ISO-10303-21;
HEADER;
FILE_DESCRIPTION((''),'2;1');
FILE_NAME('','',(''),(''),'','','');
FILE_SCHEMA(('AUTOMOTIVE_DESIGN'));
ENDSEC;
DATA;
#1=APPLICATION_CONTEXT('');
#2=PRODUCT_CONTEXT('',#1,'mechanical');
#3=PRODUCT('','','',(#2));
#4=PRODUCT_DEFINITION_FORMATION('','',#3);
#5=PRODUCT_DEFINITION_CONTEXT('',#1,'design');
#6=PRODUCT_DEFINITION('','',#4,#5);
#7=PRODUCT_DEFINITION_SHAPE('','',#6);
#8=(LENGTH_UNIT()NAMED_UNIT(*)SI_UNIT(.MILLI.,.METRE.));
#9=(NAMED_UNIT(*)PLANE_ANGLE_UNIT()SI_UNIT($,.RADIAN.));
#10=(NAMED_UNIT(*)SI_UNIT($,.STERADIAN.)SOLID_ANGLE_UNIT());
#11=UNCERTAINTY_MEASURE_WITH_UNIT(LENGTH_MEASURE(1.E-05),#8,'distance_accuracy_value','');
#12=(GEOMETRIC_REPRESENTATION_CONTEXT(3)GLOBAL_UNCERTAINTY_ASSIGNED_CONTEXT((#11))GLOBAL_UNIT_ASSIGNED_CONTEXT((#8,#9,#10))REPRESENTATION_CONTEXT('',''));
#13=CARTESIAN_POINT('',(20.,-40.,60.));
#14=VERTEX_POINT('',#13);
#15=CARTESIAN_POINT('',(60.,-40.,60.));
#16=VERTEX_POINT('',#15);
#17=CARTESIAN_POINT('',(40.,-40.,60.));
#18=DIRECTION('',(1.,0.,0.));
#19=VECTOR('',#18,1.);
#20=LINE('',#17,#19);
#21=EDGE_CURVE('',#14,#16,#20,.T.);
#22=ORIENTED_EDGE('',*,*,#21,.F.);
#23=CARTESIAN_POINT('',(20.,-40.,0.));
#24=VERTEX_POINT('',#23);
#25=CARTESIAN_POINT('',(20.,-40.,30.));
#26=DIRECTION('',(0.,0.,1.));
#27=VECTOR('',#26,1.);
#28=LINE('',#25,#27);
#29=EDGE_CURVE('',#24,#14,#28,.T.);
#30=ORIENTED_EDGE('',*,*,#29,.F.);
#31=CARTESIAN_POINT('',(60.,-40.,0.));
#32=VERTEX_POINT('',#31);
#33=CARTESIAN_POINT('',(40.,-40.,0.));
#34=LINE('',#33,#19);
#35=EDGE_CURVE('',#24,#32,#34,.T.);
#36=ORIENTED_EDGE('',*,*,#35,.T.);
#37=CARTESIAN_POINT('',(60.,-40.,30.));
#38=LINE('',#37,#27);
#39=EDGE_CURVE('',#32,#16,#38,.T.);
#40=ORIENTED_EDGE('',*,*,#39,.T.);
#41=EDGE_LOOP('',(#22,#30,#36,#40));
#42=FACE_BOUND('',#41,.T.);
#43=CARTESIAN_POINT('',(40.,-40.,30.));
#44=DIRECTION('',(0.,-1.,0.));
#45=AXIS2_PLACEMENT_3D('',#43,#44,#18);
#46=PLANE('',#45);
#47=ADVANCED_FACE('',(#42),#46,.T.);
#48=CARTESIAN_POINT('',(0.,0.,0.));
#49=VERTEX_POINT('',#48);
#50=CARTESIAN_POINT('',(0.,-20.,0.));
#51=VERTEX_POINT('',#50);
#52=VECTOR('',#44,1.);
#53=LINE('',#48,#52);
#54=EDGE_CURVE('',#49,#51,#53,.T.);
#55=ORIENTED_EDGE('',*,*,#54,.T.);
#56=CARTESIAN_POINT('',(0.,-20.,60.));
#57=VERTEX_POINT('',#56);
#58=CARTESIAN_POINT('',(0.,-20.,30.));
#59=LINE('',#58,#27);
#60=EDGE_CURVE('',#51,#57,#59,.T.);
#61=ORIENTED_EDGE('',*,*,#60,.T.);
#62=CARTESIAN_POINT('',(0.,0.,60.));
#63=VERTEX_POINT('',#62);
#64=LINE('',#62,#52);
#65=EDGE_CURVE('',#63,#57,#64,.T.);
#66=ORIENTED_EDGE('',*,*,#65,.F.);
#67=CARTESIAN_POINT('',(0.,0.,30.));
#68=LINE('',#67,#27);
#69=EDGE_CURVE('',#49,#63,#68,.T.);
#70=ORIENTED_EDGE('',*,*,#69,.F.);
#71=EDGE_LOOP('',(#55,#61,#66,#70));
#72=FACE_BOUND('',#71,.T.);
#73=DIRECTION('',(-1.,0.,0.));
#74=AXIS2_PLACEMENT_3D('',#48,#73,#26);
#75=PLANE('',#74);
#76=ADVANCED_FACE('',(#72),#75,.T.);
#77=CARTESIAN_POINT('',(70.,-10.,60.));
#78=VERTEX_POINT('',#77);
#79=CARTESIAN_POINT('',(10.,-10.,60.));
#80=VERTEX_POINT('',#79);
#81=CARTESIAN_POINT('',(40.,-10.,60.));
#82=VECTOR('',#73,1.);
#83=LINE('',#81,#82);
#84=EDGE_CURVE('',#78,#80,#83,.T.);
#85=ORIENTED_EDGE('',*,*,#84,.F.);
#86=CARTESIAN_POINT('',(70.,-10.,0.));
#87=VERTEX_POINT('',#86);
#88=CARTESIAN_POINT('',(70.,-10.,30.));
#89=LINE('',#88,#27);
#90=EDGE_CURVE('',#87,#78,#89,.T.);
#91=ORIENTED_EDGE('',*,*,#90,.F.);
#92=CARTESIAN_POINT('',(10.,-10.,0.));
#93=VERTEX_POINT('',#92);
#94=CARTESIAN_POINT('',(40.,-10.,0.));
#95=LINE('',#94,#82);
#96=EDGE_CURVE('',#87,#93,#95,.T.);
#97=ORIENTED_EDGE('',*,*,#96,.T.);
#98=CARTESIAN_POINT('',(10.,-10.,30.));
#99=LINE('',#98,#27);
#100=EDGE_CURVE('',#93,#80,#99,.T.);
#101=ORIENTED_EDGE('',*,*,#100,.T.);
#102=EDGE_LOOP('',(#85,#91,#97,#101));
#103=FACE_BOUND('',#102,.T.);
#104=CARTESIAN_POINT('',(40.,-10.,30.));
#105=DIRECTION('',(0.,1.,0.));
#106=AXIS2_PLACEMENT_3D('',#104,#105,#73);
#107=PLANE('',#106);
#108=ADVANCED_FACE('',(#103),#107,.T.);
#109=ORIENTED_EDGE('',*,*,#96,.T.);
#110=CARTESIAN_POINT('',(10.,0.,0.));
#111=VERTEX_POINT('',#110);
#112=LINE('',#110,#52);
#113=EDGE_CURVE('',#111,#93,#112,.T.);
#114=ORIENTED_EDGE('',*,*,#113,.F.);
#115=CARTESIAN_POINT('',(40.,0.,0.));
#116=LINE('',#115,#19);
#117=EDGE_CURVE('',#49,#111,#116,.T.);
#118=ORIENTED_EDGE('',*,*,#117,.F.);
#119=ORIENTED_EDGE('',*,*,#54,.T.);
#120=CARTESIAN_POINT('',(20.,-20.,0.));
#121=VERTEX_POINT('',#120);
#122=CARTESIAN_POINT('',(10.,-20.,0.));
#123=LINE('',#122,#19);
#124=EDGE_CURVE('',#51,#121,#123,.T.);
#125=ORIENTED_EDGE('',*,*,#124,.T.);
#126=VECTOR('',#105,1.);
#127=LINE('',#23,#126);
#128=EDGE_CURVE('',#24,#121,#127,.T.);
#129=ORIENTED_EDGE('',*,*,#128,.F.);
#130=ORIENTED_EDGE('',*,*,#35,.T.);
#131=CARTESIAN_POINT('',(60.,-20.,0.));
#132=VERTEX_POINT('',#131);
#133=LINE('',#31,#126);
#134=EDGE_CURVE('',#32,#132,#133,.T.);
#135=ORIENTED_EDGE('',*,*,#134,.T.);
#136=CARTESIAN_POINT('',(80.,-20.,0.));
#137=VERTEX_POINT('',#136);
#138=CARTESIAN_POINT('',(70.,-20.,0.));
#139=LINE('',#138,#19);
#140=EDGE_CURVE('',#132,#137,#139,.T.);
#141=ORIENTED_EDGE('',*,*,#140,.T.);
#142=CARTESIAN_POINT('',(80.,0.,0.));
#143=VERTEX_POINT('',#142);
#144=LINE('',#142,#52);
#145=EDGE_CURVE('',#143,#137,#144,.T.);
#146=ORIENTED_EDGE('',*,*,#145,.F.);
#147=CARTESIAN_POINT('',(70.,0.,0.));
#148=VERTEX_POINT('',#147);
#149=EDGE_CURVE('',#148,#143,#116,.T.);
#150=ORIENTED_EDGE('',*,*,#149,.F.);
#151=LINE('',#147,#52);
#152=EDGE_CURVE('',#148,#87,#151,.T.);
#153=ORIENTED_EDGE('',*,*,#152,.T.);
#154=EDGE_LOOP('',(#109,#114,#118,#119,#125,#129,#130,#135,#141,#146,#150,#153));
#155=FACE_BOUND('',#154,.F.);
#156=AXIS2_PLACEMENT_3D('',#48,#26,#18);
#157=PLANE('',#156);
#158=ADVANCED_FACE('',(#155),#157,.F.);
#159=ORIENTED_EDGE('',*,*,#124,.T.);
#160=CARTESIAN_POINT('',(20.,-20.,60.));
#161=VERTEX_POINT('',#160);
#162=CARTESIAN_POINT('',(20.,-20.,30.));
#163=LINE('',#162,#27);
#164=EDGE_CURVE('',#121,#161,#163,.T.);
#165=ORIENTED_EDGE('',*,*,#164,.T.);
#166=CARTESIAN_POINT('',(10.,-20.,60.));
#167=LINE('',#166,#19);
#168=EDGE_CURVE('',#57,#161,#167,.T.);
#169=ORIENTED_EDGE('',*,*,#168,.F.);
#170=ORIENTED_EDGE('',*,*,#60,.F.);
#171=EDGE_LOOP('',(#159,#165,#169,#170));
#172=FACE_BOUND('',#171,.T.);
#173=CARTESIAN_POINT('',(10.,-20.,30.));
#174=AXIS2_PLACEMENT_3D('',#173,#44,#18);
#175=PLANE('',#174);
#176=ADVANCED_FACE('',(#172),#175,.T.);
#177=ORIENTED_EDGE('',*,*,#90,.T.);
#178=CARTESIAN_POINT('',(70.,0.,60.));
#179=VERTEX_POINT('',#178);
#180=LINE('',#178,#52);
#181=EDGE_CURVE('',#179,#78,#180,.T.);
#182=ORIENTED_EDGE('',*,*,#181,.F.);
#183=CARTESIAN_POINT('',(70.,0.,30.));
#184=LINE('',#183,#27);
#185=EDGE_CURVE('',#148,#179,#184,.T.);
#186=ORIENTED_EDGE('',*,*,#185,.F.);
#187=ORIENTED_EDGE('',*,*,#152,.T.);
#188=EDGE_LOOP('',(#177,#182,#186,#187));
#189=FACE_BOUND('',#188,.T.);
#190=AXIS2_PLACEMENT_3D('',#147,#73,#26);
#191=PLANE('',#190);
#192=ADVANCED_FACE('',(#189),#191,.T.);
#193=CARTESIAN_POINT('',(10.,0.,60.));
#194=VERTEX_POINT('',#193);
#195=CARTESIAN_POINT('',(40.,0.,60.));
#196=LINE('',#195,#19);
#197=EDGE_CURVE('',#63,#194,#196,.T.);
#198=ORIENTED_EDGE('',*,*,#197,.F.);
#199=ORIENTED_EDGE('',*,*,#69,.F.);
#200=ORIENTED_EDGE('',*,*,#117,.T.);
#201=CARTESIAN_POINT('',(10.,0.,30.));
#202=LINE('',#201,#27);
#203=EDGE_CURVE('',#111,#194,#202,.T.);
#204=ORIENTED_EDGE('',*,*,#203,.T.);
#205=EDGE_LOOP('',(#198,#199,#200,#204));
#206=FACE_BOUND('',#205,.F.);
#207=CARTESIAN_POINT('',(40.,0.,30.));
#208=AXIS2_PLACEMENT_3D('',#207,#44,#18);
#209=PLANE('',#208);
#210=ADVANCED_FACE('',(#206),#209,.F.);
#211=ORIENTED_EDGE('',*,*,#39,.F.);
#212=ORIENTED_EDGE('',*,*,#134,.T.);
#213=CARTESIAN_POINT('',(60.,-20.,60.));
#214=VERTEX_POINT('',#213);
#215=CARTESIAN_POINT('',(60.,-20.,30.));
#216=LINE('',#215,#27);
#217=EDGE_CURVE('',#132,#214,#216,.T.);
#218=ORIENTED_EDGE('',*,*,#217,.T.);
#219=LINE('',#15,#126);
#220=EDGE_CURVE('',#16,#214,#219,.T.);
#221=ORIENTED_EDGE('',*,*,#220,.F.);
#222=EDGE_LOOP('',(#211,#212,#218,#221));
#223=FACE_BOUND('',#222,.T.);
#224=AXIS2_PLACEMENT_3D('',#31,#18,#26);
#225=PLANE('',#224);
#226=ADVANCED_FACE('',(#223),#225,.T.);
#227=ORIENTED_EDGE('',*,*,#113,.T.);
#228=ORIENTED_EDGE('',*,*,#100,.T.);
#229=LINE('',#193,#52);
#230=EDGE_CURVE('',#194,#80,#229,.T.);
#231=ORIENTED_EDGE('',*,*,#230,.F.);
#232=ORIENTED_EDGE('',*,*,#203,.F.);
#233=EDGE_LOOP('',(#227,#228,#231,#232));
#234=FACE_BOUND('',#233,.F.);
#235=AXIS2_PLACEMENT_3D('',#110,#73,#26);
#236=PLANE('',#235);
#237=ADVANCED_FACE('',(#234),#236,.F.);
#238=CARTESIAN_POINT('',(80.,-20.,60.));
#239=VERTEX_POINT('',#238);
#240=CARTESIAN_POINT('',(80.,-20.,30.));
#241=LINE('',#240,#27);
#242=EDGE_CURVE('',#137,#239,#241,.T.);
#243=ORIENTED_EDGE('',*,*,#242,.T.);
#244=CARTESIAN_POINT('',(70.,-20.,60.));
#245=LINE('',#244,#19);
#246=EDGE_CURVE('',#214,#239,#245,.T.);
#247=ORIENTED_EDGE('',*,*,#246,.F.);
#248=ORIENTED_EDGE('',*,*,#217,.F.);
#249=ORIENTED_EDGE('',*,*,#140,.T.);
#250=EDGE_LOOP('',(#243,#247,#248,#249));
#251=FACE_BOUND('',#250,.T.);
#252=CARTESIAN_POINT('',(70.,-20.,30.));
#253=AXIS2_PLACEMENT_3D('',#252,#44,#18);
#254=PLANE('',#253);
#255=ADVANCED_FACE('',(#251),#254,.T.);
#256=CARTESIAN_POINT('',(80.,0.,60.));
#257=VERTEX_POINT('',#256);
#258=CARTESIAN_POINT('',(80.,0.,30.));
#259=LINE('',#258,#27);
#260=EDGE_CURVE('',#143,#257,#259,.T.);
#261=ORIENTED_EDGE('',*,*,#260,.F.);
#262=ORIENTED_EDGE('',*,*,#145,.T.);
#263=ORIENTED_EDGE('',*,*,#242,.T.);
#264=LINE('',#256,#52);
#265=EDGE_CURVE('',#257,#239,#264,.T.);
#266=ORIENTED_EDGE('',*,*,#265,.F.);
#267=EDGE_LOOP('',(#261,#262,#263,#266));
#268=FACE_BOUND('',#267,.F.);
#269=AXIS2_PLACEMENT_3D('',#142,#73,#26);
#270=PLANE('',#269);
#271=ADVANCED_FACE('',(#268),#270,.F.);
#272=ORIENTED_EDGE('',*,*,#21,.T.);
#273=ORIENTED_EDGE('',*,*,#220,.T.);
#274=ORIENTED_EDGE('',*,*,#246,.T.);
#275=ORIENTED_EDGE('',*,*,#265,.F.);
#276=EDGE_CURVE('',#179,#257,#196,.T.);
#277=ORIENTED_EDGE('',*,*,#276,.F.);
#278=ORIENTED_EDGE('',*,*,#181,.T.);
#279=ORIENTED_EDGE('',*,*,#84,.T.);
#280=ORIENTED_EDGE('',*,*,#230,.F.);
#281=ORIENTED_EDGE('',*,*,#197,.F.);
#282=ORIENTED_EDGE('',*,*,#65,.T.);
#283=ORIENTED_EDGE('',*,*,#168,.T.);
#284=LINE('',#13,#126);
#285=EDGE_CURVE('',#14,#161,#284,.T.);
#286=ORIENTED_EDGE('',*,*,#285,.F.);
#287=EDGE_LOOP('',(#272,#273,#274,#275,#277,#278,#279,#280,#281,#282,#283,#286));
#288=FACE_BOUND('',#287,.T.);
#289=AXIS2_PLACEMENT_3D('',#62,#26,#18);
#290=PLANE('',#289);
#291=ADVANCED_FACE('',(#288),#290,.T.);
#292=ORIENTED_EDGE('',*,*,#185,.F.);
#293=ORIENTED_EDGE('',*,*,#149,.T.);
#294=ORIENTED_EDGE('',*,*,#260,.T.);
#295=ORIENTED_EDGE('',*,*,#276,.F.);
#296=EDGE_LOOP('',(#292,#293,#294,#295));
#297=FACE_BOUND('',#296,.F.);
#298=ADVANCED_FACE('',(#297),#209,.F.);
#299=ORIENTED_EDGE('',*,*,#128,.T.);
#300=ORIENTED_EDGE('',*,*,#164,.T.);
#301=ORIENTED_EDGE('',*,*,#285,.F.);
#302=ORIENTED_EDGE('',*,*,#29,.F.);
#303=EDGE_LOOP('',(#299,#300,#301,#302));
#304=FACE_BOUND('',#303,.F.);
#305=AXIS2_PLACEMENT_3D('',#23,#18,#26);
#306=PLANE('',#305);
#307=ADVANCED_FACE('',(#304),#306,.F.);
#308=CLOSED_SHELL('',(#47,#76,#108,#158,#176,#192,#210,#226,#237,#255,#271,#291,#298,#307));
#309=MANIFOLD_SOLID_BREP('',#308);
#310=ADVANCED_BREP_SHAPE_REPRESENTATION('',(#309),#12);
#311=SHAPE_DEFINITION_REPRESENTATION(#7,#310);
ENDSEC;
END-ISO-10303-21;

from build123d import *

# Parameters (mm, degrees)
F0_W     = 80
F0_H     = 60
F1_DEPTH = 40
F2_W     = 20
F2_H     = 60
F3_DEPTH = 20
F4_W     = 60
F4_H     = 60
F5_DEPTH = 10


with BuildPart() as f1:
    # F0 (on Front) → F1 (new body)
    with BuildSketch(Plane.XZ):
        with Locations((40, 30)):
            Rectangle(F0_W, F0_H)
    extrude(amount=F1_DEPTH)

    # F2 (on face) → F3 (cut)
    with BuildSketch(Plane.XZ.offset(40)):
        with Locations((10, 30)):
            Rectangle(F2_W, F2_H)
        with Locations((70, 30)):
            Rectangle(F2_W, F2_H)
    extrude(amount=-F3_DEPTH, mode=Mode.SUBTRACT)

    # F4 (on face) → F5 (cut)
    with BuildSketch(Plane(origin=(0, 0, 0), x_dir=(-1, 0, 0), z_dir=(0, 1, 0))):
        with Locations((-40, 30)):
            Rectangle(F4_W, F4_H)
    extrude(amount=-F5_DEPTH, mode=Mode.SUBTRACT)


solid = f1.part
